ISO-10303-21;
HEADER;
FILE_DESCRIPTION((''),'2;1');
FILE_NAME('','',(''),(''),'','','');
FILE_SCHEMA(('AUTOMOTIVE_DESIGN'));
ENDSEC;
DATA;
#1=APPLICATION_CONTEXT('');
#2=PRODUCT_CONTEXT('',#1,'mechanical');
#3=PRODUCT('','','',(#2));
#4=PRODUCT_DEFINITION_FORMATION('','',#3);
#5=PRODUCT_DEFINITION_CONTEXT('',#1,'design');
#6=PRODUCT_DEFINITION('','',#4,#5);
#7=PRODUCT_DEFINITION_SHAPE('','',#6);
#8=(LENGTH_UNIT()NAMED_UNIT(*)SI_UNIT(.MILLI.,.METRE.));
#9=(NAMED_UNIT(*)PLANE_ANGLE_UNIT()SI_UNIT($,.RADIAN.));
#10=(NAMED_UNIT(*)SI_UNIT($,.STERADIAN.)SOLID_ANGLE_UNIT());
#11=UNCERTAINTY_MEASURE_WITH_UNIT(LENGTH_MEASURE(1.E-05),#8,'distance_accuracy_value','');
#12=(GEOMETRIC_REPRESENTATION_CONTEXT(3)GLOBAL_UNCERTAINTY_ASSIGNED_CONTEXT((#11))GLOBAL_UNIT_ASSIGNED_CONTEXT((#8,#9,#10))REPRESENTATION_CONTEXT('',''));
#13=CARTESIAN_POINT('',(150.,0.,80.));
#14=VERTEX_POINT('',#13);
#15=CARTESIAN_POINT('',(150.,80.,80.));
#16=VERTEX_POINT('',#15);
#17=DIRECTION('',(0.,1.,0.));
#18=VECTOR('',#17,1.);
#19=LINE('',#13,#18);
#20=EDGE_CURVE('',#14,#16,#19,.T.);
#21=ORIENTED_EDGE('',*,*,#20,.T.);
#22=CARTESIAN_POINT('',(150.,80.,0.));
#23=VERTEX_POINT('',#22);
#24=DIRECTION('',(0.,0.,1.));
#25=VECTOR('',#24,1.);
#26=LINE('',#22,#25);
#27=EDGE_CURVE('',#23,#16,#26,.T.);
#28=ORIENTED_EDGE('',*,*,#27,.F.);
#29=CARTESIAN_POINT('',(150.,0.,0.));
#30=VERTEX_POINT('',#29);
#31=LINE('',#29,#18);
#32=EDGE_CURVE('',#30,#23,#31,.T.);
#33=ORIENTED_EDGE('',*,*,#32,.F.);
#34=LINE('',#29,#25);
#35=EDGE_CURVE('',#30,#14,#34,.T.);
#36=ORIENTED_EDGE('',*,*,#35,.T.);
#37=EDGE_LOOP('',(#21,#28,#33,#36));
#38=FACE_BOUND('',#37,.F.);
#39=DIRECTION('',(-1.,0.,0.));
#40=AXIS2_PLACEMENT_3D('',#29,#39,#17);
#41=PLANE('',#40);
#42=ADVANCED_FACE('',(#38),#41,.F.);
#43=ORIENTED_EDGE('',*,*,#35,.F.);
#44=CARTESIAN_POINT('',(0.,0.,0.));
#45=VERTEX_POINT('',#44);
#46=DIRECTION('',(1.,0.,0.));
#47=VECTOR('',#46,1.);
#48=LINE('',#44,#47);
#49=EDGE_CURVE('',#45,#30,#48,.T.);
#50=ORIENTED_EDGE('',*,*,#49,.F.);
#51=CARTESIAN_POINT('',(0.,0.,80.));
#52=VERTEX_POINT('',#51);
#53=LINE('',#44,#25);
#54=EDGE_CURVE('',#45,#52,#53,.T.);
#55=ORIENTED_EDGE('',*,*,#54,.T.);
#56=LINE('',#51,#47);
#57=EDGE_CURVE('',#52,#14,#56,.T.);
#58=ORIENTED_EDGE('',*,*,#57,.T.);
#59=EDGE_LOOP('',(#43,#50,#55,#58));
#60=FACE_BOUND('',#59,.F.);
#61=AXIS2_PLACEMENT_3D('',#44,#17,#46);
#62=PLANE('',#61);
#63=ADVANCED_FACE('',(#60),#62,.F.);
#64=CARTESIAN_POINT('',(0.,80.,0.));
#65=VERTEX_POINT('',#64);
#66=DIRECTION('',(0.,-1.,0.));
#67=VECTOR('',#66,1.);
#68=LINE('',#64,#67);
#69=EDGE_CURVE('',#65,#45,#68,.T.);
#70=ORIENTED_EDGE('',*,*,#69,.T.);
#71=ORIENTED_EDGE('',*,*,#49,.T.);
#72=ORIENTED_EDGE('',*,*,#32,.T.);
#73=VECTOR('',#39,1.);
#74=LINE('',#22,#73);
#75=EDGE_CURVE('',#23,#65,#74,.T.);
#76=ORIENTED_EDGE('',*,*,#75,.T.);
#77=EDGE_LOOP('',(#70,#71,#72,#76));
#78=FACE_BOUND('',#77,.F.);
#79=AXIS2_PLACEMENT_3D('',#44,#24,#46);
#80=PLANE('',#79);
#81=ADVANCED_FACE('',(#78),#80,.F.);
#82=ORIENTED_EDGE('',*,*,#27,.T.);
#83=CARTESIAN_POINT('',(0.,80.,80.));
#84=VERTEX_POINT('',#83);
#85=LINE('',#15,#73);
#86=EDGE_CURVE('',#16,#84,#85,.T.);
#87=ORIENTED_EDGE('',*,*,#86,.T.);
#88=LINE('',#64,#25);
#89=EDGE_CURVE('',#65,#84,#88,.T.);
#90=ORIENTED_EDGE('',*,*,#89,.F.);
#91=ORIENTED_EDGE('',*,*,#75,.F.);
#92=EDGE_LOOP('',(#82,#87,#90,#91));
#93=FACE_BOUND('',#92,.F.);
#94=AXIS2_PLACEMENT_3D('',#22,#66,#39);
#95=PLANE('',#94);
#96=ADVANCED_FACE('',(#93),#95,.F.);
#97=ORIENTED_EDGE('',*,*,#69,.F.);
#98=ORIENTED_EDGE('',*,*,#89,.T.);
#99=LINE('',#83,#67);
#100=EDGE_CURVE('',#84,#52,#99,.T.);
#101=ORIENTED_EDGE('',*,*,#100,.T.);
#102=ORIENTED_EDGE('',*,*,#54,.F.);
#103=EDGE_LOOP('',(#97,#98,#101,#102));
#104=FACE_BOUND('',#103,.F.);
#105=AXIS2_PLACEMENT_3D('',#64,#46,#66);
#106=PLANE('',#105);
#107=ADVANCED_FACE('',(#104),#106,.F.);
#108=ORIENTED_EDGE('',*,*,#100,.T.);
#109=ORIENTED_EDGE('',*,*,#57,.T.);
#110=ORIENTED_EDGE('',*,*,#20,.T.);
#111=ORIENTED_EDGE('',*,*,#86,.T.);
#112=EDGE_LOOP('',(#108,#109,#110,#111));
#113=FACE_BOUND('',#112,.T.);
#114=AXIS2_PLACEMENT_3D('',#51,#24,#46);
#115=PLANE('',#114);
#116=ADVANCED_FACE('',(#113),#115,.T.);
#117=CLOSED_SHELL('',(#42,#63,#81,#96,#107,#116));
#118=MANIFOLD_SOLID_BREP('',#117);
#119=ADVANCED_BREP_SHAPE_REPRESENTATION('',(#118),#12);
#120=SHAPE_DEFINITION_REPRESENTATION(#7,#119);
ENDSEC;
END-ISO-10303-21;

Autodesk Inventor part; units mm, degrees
ref_plane "YZ Plane" through (0, 0, 0) normal (1, 0, 0) x (0, 1, 0)
ref_plane "XZ Plane" through (0, 0, 0) normal (0, 1, 0) x (-1, 0, 0)
ref_plane "XY Plane" through (0, 0, 0) normal (0, 0, 1) x (1, 0, 0)
sketch "Sketch1" plane through (0, 0, 0) normal (0, 0, 1) x (1, 0, 0)
  line L0 (0, 0) -> (150, 0)
  line L1 (150, 0) -> (150, 80)
  line L2 (150, 80) -> (0, 80)
  line L3 (0, 80) -> (0, 0)
  dimension "d0" = 150
  dimension "d1" = 80
extrude "Extrusion1" add sketch "Sketch1" along normal blind 80
properties part number "ArmBase3"
